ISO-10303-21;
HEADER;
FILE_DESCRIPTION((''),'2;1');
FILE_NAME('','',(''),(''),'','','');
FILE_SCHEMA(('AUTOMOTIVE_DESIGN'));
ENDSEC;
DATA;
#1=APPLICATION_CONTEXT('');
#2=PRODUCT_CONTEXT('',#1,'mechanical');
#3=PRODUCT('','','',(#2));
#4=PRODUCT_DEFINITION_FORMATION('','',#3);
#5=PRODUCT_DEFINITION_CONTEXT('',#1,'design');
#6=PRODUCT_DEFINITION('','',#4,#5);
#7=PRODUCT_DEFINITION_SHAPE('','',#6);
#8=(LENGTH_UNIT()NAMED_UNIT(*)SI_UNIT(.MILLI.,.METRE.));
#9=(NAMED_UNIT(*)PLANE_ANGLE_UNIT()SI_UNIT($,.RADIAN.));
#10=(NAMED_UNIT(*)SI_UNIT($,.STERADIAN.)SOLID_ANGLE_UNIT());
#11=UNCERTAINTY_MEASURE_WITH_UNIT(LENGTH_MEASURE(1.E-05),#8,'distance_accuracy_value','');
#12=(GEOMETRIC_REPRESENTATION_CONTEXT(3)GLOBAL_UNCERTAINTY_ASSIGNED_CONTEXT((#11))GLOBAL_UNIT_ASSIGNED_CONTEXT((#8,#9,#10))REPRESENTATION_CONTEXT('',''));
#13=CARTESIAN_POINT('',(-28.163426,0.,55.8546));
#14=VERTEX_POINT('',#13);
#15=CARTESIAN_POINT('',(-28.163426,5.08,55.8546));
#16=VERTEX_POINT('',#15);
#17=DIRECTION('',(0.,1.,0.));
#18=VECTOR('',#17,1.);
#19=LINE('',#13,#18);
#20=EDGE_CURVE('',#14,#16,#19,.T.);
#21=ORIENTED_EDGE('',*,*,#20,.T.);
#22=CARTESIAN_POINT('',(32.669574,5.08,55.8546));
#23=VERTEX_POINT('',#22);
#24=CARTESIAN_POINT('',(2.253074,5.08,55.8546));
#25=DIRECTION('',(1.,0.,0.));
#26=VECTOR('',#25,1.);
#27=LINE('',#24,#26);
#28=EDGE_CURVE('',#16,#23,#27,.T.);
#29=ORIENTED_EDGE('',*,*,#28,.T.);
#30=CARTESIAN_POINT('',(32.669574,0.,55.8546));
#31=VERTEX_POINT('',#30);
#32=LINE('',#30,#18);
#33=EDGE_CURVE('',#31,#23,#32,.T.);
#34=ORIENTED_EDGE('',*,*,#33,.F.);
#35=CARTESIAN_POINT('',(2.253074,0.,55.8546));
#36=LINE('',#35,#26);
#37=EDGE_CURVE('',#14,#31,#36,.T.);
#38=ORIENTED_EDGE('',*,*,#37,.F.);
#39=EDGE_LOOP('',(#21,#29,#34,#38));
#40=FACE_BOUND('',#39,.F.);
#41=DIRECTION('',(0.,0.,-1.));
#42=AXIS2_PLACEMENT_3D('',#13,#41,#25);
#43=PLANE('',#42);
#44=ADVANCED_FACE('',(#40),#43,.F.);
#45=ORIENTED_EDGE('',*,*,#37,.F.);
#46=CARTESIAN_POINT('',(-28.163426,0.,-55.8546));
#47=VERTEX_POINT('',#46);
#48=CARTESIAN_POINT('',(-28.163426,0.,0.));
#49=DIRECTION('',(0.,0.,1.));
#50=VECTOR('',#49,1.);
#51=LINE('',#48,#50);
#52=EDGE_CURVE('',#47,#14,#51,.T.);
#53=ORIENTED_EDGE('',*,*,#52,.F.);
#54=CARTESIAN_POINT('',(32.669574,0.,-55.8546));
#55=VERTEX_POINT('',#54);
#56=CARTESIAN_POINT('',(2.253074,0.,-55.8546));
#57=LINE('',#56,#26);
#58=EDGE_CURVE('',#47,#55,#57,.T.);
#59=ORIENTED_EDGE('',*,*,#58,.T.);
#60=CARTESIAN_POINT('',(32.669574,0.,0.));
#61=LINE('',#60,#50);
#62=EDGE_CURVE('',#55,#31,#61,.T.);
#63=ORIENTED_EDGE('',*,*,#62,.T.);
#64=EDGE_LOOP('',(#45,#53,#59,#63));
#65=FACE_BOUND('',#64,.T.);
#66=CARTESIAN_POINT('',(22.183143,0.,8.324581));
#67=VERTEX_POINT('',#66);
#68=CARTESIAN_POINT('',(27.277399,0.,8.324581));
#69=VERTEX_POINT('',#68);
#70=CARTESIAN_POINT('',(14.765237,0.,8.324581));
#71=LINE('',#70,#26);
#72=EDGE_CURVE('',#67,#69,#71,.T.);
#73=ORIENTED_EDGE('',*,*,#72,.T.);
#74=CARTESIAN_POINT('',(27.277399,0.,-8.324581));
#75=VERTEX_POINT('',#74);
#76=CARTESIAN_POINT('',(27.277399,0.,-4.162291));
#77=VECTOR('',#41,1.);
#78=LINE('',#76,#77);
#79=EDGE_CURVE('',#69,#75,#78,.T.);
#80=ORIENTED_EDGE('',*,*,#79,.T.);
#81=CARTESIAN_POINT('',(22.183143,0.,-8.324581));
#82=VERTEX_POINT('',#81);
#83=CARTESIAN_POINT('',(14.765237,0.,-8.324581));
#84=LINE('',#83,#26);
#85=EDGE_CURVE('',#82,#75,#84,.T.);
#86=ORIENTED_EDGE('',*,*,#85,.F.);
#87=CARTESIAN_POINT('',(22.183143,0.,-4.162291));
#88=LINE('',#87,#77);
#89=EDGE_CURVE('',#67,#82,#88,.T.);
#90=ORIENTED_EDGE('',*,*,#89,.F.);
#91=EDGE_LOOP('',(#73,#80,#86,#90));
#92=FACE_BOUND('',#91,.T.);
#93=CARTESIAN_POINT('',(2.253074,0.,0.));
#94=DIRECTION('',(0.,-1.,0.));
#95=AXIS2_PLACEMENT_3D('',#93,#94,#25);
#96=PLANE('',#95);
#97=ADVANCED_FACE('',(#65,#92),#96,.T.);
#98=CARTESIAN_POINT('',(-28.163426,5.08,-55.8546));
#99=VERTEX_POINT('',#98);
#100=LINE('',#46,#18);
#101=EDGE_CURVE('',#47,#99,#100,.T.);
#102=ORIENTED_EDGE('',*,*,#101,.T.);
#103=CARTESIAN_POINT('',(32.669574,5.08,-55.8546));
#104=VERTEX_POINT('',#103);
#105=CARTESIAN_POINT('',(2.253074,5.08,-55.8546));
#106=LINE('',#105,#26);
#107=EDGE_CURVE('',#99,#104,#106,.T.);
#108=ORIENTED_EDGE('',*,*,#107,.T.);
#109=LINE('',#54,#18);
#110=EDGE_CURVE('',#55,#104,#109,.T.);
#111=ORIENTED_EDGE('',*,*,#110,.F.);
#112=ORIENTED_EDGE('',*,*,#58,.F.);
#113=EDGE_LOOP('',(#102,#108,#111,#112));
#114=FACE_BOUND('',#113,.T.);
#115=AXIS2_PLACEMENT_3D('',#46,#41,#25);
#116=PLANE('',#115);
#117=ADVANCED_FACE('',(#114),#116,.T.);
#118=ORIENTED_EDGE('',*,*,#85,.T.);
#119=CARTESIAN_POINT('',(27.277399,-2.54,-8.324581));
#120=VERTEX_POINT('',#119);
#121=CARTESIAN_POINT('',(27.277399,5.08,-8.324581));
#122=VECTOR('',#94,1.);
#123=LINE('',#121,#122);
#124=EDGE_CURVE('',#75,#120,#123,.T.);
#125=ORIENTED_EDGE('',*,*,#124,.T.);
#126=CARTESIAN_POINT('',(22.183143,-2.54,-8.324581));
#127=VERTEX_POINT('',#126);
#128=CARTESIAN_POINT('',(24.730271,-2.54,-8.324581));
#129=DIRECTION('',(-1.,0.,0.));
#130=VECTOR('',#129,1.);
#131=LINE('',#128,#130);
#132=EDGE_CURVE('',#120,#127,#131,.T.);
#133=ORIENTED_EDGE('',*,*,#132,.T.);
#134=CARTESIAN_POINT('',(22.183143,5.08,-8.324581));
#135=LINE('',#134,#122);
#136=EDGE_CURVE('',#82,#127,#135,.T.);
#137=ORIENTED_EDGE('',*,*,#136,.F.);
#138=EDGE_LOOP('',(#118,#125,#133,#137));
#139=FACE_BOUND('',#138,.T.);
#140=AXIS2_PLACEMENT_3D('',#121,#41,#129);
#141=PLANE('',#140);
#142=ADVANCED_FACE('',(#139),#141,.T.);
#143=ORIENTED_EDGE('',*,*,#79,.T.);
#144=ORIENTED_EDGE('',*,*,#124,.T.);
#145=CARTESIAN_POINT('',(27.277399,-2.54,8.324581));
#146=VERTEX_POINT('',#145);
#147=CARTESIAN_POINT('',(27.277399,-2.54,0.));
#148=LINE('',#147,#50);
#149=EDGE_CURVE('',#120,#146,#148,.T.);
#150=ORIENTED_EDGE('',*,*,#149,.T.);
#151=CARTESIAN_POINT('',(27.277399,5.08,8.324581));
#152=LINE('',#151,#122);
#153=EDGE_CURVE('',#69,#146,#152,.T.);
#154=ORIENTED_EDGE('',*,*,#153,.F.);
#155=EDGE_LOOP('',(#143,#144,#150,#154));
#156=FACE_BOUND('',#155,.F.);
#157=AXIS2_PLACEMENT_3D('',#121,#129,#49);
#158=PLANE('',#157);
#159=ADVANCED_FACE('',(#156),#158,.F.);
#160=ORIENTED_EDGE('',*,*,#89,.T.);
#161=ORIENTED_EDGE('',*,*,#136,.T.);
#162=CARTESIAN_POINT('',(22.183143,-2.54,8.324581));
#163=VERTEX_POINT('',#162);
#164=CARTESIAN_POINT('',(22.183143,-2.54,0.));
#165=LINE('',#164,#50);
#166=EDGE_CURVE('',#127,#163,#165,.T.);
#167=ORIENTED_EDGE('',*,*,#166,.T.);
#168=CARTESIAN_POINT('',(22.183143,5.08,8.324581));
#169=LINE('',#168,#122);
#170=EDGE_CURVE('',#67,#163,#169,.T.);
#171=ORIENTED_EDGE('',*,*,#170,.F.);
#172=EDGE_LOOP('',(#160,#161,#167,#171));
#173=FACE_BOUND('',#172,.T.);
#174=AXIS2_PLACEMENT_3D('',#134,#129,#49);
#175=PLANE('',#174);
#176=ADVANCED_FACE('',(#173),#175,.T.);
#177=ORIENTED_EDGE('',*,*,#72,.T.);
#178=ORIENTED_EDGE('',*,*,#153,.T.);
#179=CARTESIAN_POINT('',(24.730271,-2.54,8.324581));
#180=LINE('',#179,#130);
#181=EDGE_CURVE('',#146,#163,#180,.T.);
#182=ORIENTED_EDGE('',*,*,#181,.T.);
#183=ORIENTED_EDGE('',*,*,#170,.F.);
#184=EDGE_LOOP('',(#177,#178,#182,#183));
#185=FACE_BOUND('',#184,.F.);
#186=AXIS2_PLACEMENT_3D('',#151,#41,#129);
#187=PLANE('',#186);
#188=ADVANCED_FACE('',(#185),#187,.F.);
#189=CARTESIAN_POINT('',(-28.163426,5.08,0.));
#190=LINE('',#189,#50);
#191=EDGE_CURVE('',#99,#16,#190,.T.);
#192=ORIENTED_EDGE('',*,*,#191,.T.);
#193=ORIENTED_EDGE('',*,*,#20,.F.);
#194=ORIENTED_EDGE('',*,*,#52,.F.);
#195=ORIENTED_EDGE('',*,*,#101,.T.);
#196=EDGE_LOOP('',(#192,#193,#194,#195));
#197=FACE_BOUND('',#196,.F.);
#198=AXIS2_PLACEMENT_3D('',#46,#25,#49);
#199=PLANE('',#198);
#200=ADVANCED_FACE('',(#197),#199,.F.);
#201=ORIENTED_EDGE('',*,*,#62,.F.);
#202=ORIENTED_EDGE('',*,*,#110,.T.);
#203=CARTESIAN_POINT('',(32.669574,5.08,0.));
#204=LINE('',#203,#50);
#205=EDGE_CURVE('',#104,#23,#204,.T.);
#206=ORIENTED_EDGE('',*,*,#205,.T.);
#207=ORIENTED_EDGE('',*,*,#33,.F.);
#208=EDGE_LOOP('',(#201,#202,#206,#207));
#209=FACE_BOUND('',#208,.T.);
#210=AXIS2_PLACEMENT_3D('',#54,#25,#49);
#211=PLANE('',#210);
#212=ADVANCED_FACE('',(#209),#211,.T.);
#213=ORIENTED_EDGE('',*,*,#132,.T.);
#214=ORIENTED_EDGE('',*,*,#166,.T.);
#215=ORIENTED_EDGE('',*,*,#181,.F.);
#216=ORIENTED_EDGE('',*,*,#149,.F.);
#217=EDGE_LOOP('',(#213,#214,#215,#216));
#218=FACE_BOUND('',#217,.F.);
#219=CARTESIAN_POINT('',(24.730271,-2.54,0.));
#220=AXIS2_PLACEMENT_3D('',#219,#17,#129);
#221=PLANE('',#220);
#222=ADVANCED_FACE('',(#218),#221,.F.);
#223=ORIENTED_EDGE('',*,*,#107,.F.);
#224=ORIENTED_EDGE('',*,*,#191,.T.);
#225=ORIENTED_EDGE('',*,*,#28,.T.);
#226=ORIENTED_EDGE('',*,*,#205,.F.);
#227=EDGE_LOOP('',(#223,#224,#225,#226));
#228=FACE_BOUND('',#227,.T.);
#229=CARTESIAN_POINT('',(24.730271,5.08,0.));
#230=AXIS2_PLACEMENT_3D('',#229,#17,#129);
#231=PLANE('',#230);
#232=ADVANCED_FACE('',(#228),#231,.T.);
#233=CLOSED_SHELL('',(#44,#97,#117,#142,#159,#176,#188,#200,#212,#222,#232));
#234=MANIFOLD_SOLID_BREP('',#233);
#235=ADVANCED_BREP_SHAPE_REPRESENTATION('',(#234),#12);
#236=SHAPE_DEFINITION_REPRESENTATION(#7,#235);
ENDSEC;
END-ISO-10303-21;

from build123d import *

# Parameters (mm, degrees)
F0_W     = 60.833
F0_H     = 111.7092
F1_DEPTH = 5.08
F2_W     = 5.094256
F2_H     = 16.649162
F3_DEPTH = 7.62


with BuildPart() as f1:
    # F0 (on Front) → F1 (new body)
    with BuildSketch(Plane.XZ):
        with Locations((2.253074, 0)):
            Rectangle(F0_W, F0_H)
    extrude(amount=-F1_DEPTH)

    # F2 (on face) → F3 (join)
    with BuildSketch(Plane(origin=(0, 5.08, 0), x_dir=(-1, 0, 0), z_dir=(0, 1, 0))):
        with Locations((-24.730271, 0)):
            Rectangle(F2_W, F2_H)
    extrude(amount=-F3_DEPTH)


solid = f1.part
